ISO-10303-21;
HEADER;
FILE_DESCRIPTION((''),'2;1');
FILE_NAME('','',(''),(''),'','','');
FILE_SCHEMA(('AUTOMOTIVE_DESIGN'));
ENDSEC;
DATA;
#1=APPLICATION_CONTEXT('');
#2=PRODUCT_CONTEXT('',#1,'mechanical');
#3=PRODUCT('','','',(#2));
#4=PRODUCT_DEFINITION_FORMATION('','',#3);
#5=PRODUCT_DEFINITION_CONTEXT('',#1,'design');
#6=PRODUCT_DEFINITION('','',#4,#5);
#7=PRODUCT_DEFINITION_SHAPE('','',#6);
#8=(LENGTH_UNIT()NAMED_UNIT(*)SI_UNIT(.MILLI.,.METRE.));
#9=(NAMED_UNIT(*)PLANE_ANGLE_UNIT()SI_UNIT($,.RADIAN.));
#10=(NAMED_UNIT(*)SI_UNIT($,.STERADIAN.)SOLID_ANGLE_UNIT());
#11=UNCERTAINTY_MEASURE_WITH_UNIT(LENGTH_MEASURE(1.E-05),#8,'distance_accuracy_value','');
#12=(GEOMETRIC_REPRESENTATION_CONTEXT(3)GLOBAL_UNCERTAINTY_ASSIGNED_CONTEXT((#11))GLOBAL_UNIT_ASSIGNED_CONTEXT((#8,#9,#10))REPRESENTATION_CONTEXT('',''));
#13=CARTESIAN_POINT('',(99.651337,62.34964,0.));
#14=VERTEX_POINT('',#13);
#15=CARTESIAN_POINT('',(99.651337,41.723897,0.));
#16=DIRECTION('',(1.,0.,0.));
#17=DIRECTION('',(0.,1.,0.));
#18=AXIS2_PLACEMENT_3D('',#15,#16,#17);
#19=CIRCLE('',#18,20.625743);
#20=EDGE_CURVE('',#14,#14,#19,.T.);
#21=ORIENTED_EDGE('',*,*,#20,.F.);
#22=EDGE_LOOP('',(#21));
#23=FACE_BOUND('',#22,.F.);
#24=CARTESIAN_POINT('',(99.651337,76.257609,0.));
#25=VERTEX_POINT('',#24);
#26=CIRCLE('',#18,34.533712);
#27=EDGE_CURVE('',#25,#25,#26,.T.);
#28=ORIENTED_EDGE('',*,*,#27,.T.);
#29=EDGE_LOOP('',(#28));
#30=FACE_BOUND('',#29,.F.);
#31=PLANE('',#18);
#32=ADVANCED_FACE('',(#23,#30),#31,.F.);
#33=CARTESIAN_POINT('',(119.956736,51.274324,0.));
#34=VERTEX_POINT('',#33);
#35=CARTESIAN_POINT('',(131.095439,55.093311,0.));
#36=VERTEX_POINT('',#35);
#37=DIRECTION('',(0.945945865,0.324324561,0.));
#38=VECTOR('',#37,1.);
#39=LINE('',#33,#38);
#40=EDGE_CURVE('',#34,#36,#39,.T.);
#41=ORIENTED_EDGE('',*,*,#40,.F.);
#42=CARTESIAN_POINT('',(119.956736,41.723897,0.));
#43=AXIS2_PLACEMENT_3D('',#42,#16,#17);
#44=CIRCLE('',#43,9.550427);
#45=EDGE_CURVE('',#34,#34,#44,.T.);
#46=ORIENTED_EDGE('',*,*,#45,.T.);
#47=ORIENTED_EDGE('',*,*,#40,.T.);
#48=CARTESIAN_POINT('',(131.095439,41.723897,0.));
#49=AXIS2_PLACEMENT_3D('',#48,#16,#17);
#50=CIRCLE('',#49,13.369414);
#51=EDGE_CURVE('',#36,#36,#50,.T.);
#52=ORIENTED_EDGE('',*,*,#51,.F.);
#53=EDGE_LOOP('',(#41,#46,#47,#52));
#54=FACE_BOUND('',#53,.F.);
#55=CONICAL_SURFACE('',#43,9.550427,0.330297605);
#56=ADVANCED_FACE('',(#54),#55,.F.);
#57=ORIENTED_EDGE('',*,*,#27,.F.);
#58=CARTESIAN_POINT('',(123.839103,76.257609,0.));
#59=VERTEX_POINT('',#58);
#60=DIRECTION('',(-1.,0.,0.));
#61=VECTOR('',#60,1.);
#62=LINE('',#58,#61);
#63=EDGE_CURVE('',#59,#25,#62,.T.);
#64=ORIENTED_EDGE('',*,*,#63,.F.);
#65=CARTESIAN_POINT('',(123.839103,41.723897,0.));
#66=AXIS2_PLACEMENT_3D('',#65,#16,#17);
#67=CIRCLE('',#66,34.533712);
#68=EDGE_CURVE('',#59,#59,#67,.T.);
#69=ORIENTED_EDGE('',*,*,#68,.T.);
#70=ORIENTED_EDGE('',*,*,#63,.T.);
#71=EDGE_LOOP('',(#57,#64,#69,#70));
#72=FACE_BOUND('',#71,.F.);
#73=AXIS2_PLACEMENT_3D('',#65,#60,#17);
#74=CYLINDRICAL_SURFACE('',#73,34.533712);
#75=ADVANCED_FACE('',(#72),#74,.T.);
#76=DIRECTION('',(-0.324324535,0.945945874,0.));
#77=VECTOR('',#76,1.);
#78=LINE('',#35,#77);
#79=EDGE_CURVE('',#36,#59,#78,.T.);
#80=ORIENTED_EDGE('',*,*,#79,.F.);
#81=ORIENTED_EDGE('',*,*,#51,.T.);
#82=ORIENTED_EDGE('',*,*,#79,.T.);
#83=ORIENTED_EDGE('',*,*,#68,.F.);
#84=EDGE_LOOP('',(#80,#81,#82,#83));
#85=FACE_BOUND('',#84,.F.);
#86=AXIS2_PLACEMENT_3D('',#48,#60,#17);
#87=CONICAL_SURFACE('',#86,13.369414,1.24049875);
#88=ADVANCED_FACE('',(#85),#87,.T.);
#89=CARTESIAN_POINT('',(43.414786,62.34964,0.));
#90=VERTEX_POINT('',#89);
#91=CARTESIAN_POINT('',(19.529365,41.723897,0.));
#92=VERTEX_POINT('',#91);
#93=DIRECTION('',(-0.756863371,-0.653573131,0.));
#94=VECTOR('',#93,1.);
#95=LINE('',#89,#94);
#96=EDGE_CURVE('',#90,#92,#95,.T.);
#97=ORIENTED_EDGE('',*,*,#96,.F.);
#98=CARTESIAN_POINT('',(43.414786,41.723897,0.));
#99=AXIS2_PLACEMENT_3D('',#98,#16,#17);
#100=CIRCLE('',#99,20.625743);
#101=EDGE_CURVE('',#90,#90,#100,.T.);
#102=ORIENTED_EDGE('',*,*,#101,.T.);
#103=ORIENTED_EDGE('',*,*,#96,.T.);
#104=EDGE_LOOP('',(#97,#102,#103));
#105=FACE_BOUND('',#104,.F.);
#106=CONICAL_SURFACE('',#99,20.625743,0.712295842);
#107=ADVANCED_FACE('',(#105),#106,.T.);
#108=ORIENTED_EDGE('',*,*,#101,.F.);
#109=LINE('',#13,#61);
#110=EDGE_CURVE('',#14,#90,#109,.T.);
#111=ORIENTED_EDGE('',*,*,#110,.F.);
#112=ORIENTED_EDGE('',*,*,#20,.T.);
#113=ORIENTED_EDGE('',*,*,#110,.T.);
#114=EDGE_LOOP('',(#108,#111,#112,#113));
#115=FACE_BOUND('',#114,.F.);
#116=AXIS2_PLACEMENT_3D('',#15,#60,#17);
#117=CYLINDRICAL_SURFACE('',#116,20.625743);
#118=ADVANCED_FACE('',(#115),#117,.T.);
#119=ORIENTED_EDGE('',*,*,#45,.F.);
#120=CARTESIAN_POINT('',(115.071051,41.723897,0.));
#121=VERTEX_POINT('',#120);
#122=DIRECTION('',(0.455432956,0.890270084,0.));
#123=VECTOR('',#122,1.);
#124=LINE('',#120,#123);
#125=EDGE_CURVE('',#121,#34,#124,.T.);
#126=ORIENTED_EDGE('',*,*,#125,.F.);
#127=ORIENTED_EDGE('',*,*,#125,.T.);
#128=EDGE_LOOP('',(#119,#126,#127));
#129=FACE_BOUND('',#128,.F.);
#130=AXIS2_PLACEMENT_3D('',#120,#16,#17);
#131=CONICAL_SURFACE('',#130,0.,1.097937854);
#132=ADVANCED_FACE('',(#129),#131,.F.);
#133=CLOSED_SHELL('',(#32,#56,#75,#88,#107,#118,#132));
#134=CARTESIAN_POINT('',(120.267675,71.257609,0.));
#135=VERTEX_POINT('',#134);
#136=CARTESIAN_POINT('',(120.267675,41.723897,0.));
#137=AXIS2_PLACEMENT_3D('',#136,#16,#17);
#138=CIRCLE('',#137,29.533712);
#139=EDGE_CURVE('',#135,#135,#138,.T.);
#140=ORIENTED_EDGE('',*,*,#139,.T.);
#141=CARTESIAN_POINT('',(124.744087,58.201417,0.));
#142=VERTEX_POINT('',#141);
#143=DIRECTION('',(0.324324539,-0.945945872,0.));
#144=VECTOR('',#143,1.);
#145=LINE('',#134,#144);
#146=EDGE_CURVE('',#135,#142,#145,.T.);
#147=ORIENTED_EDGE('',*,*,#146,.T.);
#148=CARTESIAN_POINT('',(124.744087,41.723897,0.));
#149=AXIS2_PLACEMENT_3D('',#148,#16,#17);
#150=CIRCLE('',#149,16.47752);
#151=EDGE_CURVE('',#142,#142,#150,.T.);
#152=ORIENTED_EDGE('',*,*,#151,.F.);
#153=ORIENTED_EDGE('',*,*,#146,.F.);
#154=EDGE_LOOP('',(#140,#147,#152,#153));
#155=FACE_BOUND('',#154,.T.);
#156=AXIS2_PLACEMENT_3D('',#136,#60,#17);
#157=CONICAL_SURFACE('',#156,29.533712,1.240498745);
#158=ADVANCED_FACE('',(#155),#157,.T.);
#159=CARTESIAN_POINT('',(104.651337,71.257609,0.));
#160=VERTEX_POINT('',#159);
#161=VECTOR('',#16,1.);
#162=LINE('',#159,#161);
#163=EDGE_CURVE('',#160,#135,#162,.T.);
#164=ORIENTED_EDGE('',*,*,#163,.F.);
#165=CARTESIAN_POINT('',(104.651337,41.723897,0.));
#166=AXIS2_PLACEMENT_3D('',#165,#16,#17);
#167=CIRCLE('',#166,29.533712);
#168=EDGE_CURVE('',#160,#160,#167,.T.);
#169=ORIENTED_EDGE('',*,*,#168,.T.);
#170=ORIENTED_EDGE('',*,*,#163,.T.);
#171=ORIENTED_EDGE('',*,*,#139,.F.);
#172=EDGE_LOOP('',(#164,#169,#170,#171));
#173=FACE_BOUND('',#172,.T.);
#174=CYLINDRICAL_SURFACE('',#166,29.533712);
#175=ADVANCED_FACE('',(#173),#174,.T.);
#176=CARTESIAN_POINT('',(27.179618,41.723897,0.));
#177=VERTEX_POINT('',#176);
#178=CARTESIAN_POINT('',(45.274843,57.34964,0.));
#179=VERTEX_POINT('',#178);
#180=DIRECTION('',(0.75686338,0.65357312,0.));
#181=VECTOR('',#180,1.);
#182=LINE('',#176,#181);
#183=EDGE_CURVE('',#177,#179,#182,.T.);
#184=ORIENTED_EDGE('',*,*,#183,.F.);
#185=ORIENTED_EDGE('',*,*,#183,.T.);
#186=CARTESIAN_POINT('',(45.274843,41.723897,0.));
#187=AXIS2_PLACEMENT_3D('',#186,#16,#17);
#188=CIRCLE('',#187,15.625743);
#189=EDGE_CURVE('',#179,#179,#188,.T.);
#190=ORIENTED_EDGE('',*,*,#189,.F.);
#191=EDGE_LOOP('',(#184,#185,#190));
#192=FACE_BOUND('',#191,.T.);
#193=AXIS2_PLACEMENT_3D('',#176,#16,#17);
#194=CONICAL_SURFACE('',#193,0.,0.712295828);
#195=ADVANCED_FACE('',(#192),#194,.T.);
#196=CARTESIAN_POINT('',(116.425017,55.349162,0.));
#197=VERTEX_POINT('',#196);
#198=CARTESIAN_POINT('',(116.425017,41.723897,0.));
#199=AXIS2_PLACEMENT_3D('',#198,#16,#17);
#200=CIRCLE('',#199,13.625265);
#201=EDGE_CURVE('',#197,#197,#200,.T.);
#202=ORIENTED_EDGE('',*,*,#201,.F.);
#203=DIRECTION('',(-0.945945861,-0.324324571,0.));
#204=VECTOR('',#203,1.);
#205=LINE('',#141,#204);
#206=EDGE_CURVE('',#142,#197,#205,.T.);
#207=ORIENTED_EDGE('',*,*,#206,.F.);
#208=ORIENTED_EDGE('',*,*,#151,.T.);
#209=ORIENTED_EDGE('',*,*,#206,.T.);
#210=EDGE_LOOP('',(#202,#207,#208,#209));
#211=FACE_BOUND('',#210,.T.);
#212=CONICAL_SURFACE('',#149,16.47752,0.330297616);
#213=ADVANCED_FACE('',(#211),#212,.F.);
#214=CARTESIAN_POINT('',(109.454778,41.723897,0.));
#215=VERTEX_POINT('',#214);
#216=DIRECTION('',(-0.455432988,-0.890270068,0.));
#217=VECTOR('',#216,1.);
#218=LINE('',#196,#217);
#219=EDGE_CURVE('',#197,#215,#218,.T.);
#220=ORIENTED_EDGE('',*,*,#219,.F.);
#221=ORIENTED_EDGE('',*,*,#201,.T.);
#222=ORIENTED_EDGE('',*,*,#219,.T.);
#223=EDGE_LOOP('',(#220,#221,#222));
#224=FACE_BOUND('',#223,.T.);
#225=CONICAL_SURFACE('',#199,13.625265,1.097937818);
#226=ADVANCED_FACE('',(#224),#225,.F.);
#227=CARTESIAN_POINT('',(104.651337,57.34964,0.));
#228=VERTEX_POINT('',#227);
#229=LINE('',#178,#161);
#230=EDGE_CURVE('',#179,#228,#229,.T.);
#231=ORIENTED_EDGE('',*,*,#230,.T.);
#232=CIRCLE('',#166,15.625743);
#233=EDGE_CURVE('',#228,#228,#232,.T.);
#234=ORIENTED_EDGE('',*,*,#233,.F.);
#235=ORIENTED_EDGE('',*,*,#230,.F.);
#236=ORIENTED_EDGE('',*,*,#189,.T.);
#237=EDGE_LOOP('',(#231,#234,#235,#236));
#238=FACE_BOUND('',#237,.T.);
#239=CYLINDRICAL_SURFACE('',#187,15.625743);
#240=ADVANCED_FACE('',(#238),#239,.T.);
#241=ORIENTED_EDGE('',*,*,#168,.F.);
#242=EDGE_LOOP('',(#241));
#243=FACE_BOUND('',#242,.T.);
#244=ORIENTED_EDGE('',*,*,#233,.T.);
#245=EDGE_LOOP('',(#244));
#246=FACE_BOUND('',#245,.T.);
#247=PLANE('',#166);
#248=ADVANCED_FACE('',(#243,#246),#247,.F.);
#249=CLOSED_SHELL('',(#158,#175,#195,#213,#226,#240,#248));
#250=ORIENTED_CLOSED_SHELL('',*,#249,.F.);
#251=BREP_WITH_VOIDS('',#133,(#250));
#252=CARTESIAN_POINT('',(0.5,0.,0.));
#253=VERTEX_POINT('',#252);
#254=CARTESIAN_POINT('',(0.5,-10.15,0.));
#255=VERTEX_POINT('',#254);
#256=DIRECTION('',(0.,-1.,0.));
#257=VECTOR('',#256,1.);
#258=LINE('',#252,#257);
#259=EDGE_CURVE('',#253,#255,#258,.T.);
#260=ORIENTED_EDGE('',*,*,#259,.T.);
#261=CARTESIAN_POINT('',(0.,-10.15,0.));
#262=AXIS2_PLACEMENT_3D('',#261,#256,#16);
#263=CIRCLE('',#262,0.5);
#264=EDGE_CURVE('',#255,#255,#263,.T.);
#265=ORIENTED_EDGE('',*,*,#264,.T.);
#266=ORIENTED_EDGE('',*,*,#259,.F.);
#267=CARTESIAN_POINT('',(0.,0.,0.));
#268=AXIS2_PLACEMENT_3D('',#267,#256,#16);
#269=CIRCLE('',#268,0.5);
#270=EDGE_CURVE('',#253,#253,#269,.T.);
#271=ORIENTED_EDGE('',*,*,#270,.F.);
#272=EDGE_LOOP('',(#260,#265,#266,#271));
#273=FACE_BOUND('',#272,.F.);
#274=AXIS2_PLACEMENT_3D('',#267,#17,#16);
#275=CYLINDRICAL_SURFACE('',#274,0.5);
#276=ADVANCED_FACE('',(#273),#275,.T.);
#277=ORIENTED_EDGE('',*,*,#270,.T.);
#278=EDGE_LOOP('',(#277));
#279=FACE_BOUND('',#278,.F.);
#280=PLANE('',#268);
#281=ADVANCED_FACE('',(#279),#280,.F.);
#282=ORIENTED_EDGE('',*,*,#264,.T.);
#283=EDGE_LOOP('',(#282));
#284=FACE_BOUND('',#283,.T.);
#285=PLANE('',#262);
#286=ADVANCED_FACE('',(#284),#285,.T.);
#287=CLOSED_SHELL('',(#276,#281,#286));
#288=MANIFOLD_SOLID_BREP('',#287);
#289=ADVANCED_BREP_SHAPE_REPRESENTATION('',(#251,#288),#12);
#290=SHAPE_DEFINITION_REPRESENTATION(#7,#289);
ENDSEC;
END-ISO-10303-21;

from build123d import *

# Parameters (mm, degrees)
F2_R     = 0.5
F3_DEPTH = 10.15


with BuildPart() as f1:
    # F0 (on Top) → F1 (revolve)
    with BuildSketch(Plane.XY):
        Polygon((43.414786, 62.34964), (19.529365, 41.723897), (27.179618, 41.723897), (45.274843, 57.34964), (104.651337, 57.34964), (104.651337, 71.257609), (120.267675, 71.257609), (124.744087, 58.201417), (116.425017, 55.349162), (109.454778, 41.723897), (115.071051, 41.723897), (119.956736, 51.274324), (131.095439, 55.093311), (123.839103, 76.257609), (99.651337, 76.257609), (99.651337, 62.34964), align=None)
    revolve(axis=Axis((71.125335, 41.723897, 0), (1, 0, 0)))


with BuildPart() as f3:
    # F2 (on Front) → F3 (new body)
    with BuildSketch(Plane.XZ):
        Circle(F2_R)
    extrude(amount=F3_DEPTH)


solid = Compound([f1.part, f3.part])
